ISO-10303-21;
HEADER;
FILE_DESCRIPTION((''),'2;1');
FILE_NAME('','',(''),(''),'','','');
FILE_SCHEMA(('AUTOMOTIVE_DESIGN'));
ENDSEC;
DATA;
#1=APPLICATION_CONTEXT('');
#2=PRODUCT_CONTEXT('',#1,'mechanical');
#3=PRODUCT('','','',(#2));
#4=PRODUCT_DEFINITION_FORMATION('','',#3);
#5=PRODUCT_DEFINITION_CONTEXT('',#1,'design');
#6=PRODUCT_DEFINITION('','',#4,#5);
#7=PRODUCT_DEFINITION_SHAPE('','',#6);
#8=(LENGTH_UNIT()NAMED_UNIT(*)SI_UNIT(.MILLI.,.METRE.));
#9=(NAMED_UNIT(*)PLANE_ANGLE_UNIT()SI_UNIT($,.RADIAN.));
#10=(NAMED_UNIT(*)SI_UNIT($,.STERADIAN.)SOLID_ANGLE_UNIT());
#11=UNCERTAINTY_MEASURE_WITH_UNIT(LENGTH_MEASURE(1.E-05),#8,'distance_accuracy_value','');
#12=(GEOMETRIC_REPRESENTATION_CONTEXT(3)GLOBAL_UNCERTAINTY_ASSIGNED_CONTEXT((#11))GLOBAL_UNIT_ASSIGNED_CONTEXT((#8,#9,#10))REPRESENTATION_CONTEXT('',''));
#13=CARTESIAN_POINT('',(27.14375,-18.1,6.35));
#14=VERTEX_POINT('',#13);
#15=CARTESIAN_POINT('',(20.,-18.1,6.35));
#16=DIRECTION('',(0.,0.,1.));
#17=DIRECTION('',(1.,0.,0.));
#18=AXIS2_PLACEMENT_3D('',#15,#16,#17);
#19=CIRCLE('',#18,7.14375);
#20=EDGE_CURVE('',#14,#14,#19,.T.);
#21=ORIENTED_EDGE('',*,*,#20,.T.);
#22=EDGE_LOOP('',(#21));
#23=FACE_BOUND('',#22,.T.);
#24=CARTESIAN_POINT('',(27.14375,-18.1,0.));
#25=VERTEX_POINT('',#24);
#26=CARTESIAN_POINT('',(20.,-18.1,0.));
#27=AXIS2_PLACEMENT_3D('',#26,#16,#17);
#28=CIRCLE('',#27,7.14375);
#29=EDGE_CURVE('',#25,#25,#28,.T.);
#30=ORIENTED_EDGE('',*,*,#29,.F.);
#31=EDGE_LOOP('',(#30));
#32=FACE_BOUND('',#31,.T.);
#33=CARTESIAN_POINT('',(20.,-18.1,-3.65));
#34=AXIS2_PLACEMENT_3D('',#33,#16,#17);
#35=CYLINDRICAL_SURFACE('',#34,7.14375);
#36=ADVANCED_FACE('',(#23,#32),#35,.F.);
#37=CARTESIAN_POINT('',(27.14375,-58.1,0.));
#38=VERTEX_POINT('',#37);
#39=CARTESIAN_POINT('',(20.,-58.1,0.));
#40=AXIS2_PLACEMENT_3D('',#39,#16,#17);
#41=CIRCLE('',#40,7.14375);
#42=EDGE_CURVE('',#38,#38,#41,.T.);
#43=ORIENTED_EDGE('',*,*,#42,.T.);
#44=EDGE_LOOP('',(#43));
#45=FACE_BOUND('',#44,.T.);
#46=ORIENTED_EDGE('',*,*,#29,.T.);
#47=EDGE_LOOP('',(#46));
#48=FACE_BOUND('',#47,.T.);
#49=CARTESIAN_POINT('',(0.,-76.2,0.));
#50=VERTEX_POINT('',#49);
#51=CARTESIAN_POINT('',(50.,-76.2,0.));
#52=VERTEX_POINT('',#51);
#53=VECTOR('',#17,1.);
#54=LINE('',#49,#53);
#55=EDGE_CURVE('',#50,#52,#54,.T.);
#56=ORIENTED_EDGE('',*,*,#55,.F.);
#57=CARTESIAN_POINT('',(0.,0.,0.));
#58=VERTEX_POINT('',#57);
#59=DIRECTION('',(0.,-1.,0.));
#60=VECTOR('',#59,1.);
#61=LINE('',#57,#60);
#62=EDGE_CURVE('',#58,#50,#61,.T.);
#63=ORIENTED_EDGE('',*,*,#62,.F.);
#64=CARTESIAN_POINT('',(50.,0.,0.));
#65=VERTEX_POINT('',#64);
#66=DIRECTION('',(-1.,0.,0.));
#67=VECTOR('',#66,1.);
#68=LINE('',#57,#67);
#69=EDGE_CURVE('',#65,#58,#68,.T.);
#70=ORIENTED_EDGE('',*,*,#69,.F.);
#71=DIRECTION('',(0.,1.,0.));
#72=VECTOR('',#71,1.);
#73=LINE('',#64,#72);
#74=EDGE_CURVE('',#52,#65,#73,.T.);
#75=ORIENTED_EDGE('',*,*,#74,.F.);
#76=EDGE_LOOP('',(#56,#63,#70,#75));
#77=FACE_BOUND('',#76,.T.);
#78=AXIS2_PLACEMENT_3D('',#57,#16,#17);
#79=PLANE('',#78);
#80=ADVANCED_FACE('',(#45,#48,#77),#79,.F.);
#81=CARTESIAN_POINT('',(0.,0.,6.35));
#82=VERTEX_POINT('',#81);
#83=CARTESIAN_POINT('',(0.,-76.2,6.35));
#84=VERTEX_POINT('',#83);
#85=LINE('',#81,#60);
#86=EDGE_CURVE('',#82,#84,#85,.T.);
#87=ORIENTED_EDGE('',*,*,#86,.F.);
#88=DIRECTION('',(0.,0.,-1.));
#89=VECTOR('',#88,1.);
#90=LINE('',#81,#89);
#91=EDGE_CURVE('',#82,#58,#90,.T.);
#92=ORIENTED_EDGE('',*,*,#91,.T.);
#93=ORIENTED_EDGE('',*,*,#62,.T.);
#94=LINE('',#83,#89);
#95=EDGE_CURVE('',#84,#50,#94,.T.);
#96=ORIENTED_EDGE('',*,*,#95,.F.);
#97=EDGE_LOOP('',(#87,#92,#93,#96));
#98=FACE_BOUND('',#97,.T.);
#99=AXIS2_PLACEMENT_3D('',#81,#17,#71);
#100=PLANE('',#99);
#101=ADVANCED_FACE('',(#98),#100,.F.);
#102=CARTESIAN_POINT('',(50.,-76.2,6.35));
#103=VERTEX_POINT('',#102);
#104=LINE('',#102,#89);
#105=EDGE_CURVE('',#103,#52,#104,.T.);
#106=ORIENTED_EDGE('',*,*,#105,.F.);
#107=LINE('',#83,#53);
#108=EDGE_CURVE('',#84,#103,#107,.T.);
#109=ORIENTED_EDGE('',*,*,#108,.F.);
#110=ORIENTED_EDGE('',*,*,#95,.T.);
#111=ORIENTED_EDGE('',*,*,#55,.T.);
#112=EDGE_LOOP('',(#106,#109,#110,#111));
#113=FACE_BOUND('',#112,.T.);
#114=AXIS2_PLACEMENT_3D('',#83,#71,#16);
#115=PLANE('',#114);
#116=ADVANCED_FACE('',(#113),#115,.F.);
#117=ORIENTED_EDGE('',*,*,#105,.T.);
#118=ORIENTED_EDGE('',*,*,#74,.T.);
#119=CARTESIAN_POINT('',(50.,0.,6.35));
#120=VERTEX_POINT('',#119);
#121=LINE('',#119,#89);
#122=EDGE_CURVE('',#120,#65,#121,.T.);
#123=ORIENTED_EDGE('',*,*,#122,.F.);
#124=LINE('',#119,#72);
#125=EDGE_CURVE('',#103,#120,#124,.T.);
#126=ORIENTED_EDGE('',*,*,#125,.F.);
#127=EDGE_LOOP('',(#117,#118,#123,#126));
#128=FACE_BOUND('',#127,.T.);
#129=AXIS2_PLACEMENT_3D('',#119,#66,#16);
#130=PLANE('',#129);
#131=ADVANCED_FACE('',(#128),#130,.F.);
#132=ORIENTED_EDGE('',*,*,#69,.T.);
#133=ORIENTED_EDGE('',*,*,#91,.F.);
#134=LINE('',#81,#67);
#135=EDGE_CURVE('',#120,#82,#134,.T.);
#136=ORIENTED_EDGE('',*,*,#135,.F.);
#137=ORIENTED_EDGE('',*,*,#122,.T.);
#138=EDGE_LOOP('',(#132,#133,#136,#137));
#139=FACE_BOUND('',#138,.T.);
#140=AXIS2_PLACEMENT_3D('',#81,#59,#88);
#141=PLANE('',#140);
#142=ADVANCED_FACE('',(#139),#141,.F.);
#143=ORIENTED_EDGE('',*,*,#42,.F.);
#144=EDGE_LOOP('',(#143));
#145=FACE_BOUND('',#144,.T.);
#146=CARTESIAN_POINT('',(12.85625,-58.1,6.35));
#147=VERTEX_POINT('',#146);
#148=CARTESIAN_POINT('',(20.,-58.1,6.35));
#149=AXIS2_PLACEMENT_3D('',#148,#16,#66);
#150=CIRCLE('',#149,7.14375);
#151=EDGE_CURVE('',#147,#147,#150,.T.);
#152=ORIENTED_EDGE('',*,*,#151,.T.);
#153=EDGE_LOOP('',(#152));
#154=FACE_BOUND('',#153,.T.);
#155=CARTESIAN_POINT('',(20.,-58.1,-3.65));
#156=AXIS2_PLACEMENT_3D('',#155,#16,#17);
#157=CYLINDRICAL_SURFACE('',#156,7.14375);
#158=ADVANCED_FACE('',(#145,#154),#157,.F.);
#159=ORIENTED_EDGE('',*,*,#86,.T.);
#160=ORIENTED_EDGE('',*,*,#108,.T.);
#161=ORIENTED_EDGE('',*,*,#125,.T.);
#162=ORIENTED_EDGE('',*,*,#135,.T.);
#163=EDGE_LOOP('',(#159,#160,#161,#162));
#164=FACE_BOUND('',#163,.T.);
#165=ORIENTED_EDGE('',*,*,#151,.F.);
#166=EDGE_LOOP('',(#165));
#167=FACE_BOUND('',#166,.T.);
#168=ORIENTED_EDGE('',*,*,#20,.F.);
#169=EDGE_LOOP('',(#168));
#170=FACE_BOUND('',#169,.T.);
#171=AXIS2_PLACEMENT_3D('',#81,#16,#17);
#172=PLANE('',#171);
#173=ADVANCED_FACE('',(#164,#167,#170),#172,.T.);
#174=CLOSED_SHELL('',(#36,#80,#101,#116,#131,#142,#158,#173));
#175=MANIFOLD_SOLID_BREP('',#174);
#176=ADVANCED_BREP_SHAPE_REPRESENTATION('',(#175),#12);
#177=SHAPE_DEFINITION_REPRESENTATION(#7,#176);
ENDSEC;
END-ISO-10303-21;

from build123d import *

# Parameters (mm, degrees)
CROQUIS1_W              = 50
CROQUIS1_H              = 76.2
SALIENTE_EXTRUIR1_DEPTH = 6.35
CROQUIS2_R              = 7.14375
CORTAR_EXTRUIR1_DEPTH   = 10


with BuildPart() as part:
    # Croquis1 → Saliente-Extruir1 (new body)
    with BuildSketch(Plane.XY):
        with Locations((25, -38.1)):
            Rectangle(CROQUIS1_W, CROQUIS1_H)
    extrude(amount=SALIENTE_EXTRUIR1_DEPTH)

    # Croquis2 → Cortar-Extruir1 (cut)
    with BuildSketch(Plane.XY.offset(6.35)):
        with Locations((20, -18.1)):
            Circle(CROQUIS2_R)
        with Locations((20, -58.1)):
            Circle(CROQUIS2_R)
    extrude(amount=-CORTAR_EXTRUIR1_DEPTH, mode=Mode.SUBTRACT)


solid = part.part
